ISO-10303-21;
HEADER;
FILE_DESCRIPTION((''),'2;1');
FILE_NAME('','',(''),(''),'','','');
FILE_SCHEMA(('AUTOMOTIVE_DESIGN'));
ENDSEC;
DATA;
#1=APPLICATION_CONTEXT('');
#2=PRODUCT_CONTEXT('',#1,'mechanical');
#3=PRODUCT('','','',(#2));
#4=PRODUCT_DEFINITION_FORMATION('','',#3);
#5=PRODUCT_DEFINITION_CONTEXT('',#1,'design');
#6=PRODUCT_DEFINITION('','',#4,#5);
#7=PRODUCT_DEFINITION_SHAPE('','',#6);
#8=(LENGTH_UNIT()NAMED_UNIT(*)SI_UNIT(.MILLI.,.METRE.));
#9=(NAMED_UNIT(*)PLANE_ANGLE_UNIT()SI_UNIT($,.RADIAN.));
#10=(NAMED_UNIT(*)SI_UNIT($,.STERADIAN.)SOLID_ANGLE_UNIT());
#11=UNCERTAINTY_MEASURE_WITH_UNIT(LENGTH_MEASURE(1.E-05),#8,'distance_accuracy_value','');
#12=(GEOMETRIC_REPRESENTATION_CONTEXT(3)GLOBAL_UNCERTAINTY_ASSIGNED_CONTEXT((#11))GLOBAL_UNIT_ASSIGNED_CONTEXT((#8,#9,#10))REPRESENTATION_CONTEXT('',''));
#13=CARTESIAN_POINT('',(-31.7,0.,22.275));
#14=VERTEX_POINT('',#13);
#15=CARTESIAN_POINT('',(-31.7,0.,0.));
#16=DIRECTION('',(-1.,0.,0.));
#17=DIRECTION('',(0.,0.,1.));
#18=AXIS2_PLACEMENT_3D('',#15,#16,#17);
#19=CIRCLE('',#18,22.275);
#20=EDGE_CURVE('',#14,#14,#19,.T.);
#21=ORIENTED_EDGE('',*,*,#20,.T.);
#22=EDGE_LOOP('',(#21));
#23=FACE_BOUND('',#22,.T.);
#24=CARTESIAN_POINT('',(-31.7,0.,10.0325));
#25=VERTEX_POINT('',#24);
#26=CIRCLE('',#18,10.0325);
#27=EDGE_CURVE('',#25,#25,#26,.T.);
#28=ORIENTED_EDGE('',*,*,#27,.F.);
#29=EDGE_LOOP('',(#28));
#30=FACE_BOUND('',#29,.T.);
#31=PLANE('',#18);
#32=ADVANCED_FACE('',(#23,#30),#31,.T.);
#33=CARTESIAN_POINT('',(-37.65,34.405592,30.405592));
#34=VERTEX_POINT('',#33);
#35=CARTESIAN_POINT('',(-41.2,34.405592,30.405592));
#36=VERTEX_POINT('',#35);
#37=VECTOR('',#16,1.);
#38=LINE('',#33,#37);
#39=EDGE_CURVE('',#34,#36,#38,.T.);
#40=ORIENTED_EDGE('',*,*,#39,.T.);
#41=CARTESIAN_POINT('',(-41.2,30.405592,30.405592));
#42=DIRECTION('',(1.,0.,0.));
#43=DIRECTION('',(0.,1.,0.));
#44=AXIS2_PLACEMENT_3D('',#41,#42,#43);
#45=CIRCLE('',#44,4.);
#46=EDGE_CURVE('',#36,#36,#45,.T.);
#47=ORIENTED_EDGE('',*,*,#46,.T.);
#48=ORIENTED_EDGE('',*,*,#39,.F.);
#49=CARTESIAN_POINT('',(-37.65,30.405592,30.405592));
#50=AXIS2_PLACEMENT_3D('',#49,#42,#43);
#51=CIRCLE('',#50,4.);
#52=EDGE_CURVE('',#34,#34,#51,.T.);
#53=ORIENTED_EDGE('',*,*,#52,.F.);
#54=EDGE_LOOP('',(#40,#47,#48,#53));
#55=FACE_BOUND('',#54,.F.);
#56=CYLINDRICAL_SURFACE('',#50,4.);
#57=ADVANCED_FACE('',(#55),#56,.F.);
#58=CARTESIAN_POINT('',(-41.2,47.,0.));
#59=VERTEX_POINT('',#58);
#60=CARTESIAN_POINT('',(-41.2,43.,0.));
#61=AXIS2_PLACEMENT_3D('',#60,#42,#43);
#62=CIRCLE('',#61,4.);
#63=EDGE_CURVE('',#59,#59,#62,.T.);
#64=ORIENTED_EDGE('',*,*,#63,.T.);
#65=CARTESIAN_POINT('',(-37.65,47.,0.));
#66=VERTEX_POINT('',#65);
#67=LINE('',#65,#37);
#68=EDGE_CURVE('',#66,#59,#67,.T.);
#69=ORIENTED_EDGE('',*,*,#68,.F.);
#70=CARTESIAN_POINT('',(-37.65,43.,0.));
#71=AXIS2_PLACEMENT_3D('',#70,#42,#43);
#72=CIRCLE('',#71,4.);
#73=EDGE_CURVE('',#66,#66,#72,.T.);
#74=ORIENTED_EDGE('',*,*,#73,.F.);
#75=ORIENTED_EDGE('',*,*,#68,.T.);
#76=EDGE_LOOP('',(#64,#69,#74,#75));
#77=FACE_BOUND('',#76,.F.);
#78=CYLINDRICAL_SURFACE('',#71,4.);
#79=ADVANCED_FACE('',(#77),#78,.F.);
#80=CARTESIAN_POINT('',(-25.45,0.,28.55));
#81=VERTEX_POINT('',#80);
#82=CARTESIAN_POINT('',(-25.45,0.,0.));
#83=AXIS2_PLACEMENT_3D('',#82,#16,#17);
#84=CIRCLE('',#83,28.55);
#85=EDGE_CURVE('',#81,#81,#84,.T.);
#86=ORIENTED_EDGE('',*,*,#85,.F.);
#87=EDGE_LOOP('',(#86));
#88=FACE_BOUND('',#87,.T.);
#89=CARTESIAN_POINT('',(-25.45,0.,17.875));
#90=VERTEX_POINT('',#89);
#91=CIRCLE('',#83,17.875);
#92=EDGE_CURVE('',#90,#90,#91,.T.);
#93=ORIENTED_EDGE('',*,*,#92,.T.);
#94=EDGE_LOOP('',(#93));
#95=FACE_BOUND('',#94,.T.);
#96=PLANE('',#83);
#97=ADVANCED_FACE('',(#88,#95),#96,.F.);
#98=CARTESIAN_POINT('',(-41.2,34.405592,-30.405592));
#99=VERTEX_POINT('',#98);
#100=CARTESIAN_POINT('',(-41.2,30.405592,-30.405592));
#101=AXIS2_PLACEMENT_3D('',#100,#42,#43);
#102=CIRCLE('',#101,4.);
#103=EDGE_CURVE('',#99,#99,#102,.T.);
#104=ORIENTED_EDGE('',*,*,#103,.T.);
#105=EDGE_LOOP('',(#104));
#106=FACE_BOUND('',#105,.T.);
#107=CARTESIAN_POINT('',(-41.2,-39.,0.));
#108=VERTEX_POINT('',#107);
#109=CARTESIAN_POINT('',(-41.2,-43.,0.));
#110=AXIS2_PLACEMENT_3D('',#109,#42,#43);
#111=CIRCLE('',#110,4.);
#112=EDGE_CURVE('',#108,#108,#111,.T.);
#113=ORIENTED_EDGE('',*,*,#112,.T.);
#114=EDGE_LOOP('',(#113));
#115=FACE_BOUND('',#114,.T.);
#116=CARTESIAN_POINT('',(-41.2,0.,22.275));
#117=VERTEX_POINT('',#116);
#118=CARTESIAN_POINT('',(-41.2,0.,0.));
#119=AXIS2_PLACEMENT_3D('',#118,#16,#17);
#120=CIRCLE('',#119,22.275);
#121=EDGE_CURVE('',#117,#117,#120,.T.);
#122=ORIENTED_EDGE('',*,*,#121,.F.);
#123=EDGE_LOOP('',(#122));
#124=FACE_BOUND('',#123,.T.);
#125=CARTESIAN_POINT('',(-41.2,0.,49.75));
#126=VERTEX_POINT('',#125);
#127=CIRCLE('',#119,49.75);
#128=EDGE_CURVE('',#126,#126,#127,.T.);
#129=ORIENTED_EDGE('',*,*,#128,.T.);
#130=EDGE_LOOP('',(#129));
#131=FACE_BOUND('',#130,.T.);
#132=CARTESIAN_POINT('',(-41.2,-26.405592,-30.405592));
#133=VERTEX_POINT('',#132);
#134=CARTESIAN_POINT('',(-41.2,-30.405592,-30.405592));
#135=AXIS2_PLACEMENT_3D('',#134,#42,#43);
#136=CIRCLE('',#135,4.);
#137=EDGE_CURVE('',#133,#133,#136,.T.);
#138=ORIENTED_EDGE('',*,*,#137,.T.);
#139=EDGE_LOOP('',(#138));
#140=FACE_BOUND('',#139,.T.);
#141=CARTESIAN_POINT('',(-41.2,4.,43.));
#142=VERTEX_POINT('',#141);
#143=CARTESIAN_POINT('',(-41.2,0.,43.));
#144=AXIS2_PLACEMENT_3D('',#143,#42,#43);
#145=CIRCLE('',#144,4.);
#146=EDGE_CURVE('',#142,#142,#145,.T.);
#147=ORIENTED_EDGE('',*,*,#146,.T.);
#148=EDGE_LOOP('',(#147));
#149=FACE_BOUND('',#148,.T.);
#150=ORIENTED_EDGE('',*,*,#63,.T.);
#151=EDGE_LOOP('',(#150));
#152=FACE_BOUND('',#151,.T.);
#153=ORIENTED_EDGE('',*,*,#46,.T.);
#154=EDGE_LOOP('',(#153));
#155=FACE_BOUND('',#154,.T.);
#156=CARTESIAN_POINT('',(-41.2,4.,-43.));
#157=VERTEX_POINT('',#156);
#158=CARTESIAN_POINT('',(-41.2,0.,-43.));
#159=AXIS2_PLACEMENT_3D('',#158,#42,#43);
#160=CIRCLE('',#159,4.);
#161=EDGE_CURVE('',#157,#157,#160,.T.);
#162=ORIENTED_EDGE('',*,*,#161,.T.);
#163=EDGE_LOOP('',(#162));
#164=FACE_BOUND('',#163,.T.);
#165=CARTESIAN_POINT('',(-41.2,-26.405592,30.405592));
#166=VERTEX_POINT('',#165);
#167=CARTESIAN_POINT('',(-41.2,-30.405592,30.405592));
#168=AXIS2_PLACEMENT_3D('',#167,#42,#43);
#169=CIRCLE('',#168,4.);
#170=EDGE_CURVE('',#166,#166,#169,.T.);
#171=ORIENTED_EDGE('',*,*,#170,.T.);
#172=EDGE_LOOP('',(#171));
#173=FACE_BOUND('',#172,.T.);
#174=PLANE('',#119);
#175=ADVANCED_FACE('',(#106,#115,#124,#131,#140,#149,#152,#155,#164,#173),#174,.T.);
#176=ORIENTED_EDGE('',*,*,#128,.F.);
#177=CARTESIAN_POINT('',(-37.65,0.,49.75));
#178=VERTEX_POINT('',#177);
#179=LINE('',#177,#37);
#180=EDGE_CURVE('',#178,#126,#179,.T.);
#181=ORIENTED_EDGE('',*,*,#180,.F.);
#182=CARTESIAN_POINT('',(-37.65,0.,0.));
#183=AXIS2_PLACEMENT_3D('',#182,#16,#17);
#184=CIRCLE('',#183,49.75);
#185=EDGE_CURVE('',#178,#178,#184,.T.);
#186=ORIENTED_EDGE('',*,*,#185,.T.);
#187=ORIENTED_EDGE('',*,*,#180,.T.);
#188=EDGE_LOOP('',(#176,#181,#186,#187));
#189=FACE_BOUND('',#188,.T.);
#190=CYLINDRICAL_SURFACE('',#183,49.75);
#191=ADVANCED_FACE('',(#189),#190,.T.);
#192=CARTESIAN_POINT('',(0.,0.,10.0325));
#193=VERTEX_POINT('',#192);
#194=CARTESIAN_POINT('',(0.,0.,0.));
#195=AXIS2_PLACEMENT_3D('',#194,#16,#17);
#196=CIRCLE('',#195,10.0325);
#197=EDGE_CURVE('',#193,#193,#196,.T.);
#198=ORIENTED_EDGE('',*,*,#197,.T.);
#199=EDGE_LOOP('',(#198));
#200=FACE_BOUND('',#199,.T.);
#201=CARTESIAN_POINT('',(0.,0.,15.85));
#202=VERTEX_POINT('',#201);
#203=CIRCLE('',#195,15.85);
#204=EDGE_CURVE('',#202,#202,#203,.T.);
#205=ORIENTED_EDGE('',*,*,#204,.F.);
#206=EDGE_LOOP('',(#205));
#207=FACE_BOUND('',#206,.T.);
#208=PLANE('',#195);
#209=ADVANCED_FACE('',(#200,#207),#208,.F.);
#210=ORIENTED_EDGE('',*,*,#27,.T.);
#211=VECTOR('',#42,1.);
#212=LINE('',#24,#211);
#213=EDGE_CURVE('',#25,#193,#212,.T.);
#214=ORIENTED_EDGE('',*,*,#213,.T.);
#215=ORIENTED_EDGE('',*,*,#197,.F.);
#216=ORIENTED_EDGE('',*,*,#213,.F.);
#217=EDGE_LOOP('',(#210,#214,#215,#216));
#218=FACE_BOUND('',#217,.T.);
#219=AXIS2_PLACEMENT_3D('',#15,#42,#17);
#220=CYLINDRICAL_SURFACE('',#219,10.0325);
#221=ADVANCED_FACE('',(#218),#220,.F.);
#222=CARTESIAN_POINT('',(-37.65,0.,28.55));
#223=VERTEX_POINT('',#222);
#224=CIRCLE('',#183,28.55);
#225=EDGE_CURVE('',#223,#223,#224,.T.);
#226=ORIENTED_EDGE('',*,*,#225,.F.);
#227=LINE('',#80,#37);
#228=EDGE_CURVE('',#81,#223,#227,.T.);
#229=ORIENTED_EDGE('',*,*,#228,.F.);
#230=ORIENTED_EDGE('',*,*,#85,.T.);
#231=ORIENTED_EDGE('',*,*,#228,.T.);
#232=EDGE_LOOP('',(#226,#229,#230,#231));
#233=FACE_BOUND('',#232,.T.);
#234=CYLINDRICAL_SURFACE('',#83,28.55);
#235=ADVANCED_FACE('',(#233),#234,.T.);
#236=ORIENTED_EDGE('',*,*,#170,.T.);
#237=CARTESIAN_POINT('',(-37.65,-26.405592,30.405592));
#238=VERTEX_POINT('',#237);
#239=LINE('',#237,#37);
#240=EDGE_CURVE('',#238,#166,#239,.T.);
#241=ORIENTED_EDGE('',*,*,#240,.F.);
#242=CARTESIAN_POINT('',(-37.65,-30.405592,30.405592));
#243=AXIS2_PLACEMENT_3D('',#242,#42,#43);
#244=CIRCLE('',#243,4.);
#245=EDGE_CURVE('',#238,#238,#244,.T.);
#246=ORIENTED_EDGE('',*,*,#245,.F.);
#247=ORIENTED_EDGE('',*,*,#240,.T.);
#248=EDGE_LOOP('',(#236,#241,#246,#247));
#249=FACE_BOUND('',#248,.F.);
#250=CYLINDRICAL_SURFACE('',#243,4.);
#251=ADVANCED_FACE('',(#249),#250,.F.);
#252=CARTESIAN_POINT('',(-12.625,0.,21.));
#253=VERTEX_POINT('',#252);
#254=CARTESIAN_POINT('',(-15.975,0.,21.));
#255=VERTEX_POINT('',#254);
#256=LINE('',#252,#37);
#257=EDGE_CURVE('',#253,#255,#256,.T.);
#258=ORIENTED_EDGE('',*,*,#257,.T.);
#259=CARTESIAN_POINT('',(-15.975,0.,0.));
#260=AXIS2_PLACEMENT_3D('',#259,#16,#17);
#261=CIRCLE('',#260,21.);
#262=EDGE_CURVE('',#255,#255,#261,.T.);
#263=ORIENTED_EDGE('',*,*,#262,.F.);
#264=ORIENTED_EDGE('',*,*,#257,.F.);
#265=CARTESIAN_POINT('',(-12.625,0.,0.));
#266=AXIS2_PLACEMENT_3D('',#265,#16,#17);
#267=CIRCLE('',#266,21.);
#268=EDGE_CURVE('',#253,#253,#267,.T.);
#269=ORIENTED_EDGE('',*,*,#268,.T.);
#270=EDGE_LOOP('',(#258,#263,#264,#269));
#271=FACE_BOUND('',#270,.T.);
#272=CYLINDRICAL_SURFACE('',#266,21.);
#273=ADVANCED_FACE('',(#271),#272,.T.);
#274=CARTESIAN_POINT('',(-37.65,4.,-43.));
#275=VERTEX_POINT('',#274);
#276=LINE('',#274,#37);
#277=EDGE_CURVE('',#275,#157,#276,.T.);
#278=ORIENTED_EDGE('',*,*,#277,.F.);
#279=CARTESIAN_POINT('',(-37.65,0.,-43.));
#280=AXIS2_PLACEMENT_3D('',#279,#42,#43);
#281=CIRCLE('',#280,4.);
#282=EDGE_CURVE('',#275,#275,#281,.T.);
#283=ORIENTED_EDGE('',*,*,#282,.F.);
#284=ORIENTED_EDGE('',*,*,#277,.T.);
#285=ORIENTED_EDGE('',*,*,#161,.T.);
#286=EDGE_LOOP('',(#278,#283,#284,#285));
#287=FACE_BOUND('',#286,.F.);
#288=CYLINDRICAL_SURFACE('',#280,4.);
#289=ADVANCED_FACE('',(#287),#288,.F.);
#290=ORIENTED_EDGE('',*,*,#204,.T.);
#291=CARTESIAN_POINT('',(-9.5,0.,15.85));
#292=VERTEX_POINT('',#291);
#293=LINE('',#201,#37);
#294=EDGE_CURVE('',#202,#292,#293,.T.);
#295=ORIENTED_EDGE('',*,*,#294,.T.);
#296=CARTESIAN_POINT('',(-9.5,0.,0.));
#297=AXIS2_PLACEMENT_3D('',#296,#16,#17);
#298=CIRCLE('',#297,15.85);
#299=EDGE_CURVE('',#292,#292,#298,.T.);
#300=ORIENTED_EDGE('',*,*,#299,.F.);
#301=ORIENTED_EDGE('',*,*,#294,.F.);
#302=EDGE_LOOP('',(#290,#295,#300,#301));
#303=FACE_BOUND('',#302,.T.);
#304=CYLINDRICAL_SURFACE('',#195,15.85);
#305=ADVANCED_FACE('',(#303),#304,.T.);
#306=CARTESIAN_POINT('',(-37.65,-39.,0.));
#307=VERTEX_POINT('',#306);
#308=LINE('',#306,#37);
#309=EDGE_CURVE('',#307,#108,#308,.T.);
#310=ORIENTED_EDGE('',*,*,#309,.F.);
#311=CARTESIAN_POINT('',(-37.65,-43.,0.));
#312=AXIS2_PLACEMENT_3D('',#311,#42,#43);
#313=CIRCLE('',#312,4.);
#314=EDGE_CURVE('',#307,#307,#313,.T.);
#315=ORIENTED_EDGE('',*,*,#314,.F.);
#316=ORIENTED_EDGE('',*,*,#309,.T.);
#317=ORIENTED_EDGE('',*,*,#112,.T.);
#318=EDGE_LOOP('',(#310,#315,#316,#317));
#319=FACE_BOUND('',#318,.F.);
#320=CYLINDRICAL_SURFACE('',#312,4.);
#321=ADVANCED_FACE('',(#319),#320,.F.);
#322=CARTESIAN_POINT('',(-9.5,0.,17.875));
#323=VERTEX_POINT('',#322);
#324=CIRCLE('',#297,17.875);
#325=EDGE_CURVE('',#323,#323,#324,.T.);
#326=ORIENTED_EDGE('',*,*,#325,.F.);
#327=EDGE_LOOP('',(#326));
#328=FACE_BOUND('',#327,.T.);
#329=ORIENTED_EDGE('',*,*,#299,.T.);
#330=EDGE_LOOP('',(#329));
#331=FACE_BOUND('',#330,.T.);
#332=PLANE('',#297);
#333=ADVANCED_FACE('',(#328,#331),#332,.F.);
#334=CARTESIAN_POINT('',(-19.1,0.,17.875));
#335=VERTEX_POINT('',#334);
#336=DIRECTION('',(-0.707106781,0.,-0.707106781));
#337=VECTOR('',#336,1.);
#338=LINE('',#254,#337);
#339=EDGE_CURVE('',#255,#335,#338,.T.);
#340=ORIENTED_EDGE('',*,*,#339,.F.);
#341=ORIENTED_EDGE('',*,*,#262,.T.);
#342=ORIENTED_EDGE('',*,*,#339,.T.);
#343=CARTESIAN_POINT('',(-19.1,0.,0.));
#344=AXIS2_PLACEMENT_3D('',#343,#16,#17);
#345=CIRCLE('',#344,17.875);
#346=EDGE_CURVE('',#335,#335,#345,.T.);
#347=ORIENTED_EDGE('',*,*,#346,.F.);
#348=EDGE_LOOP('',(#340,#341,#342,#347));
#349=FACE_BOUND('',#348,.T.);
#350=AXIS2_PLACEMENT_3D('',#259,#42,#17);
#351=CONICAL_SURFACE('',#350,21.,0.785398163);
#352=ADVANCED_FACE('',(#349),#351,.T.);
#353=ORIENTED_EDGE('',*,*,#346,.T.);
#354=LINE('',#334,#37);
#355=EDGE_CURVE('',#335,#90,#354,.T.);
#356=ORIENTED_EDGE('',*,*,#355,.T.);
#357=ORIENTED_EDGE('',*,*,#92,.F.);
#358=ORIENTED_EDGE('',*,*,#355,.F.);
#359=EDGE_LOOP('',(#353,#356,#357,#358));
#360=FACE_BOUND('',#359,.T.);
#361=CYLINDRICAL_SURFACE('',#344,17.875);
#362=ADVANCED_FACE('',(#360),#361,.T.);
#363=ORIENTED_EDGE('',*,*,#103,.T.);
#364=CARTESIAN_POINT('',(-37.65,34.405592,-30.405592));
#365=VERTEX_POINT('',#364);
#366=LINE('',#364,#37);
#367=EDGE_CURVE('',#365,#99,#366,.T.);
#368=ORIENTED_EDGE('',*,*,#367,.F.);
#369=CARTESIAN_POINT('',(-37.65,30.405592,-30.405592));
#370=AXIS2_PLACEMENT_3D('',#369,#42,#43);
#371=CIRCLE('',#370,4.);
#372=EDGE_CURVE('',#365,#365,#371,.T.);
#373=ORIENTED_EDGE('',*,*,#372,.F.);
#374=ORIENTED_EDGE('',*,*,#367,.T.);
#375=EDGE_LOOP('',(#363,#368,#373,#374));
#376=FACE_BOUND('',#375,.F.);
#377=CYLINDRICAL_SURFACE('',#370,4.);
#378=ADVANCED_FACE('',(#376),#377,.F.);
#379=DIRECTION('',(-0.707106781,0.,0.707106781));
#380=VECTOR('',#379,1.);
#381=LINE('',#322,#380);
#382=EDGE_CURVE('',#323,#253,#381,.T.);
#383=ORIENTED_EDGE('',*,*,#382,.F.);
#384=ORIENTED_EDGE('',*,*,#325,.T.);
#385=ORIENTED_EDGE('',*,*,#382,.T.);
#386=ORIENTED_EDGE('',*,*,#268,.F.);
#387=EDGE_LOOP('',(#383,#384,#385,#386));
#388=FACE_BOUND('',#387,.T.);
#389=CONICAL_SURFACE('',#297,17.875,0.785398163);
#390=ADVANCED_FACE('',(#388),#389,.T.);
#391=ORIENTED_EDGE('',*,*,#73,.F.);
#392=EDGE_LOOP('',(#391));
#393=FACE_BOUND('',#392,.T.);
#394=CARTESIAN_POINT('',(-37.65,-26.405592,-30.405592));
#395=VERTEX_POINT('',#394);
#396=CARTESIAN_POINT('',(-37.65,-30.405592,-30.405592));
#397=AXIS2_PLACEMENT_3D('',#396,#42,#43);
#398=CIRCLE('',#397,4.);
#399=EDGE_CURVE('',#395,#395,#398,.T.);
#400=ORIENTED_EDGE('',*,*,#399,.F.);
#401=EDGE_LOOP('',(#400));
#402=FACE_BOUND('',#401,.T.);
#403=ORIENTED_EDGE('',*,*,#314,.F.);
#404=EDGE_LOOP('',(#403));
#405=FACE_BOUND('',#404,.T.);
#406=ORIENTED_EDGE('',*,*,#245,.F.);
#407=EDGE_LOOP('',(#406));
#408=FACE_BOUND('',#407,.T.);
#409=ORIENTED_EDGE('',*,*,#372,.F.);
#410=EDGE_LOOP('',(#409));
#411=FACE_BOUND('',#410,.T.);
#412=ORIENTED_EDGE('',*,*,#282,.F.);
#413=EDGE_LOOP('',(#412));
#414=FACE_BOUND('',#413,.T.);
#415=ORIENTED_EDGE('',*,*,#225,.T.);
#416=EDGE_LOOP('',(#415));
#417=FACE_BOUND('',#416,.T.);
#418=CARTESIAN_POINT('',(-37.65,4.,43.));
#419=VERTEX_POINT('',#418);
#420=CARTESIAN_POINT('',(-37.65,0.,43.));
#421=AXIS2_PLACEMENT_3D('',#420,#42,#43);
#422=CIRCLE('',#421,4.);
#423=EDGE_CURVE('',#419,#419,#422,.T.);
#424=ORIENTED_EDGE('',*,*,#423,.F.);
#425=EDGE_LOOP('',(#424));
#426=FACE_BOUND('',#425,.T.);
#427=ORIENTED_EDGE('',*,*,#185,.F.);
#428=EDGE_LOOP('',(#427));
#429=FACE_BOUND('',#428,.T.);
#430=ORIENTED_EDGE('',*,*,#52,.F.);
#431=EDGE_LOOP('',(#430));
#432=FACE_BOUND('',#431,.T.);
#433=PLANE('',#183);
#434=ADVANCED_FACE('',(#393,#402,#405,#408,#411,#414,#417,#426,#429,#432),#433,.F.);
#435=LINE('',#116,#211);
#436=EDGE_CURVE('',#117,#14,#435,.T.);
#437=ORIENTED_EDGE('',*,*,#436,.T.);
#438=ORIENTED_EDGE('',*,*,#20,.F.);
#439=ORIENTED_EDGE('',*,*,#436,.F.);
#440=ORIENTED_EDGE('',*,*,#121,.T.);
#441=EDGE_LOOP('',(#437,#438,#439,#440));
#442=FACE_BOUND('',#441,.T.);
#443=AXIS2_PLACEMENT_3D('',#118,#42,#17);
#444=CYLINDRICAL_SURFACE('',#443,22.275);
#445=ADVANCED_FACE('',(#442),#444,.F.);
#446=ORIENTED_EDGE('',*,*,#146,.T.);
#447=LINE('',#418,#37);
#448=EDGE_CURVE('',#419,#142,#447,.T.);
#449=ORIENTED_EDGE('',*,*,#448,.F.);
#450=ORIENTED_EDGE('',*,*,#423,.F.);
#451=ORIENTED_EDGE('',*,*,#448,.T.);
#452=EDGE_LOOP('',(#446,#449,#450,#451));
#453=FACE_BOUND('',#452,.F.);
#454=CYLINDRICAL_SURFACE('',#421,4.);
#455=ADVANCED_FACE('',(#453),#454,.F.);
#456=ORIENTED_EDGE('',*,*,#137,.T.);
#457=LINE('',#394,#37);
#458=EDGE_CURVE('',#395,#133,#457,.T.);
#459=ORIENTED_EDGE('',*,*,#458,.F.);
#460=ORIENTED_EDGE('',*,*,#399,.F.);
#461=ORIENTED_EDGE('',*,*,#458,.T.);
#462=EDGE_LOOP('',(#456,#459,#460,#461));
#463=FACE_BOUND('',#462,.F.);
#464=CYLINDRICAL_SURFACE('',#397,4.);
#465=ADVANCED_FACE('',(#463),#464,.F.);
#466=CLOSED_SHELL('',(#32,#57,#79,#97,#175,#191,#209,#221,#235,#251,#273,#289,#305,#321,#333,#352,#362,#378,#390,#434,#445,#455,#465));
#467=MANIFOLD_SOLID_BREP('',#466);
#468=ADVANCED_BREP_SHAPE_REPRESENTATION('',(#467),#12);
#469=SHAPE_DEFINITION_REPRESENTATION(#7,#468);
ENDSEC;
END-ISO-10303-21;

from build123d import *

# Parameters (mm, degrees)
F2_R     = 4
F3_DEPTH = 3.551


with BuildPart() as f1:
    # F0 (on Front) → F1 (revolve)
    with BuildSketch(Plane.XZ):
        Polygon((-31.7, 10.0325), (0, 10.0325), (0, 15.85), (-9.5, 15.85), (-9.5, 17.875), (-12.625, 21), (-15.975, 21), (-19.1, 17.875), (-25.45, 17.875), (-25.45, 28.55), (-37.65, 28.55), (-37.65, 49.75), (-41.2, 49.75), (-41.2, 22.275), (-31.7, 22.275), align=None)
    revolve(axis=Axis((-20.6, 0, 0), (-1, 0, 0)))

    # F2 (on face) → F3 (cut, through all)
    with BuildSketch(Plane.YZ.offset(-37.65)):
        with Locations((0, 43)):
            Circle(F2_R)
        with Locations((30.405592, 30.405592)):
            Circle(F2_R)
        with Locations((43, 0)):
            Circle(F2_R)
        with Locations((30.405592, -30.405592)):
            Circle(F2_R)
        with Locations((0, -43)):
            Circle(F2_R)
        with Locations((-30.405592, -30.405592)):
            Circle(F2_R)
        with Locations((-43, 0)):
            Circle(F2_R)
        with Locations((-30.405592, 30.405592)):
            Circle(F2_R)
    extrude(amount=-F3_DEPTH, mode=Mode.SUBTRACT)


solid = f1.part
